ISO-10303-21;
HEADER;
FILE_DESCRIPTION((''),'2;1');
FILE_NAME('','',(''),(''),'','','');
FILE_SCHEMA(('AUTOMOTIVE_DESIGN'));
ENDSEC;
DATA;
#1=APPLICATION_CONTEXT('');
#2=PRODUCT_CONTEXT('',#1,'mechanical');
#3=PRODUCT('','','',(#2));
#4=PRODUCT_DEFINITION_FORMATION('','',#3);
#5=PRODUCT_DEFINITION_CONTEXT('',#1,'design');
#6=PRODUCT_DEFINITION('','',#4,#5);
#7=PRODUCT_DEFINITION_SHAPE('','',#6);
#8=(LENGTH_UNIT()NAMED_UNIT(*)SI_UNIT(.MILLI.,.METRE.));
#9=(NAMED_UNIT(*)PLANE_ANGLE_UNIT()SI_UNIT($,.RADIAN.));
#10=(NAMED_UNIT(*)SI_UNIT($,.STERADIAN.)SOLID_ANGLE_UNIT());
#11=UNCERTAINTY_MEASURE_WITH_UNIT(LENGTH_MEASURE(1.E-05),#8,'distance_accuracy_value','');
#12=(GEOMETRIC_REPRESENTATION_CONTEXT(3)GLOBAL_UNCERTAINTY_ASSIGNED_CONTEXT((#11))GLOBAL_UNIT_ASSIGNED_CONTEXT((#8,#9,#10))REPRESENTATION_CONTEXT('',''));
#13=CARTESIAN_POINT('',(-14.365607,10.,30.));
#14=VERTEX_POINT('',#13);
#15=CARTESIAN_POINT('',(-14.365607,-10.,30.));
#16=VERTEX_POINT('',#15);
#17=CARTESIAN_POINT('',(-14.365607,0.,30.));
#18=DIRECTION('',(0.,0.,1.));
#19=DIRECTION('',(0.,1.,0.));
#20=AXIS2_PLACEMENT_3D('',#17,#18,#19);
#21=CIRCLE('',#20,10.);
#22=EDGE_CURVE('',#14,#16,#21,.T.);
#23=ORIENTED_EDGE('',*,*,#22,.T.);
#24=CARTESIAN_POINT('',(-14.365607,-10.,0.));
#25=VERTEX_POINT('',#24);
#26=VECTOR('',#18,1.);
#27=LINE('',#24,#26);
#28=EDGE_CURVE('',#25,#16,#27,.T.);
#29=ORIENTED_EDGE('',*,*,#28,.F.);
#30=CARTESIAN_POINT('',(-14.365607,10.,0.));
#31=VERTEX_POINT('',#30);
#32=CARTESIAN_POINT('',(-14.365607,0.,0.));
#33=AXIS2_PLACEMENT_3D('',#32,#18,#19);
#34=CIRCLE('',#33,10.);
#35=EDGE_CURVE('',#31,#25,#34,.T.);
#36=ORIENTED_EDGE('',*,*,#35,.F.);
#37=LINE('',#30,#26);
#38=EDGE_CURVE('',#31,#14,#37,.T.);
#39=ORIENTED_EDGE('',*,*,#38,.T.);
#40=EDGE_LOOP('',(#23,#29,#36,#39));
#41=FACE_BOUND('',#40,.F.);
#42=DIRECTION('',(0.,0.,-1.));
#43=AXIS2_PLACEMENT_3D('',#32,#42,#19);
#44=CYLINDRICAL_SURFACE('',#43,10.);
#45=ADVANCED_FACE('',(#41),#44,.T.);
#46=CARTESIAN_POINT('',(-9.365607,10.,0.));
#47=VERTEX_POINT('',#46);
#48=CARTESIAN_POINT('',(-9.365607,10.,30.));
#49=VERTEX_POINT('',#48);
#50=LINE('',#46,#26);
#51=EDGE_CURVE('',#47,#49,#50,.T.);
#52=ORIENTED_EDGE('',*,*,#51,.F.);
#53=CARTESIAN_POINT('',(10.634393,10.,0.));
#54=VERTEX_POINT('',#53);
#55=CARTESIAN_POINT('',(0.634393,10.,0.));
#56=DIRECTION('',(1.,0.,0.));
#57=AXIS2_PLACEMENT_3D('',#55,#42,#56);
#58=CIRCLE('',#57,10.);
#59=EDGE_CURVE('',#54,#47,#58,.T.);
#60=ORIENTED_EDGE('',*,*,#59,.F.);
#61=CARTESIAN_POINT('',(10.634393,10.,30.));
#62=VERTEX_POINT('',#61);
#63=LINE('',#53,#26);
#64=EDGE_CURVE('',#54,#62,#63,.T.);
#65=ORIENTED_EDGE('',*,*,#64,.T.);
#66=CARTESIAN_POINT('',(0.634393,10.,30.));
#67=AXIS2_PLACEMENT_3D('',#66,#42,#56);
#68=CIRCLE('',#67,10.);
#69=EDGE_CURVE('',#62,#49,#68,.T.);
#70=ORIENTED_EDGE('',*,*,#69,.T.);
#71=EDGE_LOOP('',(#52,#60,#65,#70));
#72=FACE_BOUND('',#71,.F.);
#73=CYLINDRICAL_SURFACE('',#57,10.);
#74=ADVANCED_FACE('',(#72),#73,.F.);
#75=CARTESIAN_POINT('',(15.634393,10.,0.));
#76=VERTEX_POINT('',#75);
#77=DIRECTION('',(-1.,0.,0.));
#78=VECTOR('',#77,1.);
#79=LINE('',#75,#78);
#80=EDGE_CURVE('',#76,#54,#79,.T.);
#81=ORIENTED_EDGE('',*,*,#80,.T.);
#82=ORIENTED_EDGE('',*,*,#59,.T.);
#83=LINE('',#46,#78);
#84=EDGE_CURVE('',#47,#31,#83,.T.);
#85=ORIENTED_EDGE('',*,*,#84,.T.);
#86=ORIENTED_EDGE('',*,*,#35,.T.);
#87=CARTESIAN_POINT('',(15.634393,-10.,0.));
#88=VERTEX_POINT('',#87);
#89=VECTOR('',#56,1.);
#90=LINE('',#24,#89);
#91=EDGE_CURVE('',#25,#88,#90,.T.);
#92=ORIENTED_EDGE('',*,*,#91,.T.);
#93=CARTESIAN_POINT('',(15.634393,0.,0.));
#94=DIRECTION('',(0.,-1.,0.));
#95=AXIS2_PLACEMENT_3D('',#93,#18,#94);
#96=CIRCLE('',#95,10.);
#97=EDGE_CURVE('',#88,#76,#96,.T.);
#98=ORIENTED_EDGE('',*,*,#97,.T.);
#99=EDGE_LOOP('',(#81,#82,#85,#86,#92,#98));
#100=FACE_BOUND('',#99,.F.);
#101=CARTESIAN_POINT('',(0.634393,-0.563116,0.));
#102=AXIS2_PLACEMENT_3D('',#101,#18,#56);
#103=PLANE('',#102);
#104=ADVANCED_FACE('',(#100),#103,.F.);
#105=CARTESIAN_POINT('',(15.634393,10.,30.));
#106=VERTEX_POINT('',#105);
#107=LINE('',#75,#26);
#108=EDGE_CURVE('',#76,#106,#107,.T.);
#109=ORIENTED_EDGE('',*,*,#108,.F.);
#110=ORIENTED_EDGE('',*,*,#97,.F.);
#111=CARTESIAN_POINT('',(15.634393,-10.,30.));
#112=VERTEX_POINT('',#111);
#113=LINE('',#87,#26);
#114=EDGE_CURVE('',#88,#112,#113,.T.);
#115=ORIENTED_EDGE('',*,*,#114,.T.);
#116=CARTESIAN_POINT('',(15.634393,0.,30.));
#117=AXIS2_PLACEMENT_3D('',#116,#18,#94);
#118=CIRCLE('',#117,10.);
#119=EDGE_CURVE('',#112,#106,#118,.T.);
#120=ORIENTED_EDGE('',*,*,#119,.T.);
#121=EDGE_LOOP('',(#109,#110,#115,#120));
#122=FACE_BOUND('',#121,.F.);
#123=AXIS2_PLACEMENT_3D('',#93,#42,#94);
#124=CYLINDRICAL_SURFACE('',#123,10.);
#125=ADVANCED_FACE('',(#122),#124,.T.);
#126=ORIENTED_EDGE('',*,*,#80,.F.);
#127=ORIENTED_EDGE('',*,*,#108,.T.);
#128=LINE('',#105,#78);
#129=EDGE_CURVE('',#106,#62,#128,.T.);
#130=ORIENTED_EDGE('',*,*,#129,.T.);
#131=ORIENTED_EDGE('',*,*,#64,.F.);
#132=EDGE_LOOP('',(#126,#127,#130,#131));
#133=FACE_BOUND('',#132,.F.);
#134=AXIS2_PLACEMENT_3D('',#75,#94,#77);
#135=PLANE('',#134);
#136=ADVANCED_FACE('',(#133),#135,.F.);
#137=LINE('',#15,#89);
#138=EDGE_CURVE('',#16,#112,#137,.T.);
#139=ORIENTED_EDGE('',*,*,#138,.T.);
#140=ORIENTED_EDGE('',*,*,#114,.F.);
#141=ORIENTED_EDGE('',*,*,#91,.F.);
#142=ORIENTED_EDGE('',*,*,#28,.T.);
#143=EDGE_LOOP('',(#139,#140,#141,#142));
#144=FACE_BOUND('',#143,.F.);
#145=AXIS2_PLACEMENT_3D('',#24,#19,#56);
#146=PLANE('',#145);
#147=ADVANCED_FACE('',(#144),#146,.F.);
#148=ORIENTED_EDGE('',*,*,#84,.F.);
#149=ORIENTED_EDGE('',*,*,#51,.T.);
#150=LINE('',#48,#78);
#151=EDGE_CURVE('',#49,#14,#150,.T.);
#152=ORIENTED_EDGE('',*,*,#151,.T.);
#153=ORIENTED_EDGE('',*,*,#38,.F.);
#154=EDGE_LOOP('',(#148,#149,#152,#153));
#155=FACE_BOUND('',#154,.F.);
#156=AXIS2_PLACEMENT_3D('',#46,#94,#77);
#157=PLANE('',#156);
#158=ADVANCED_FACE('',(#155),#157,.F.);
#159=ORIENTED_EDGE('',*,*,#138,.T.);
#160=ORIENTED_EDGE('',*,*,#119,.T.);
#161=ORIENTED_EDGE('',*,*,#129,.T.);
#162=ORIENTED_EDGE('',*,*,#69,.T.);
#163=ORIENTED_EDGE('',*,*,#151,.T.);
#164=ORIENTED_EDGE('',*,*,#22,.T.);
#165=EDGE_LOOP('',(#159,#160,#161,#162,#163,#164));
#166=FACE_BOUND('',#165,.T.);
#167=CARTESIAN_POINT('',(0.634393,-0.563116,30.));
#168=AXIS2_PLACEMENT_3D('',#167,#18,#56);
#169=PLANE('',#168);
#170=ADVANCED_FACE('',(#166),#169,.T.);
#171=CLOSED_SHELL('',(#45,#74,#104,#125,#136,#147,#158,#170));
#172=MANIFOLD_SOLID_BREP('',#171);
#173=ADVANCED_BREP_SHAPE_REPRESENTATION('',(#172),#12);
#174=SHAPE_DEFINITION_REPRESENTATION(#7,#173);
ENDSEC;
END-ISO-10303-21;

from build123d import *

# Parameters (mm, degrees)
F1_DEPTH = 30


with BuildPart() as f1:
    # F0 (on Top) → F1 (new body)
    with BuildSketch(Plane.XY):
        with BuildLine():
            ThreePointArc((10.634393, 10), (0.634393, 0), (-9.365607, 10))
            Line((-9.365607, 10), (-14.365607, 10))
            ThreePointArc((-14.365607, 10), (-24.365607, 0), (-14.365607, -10))
            Line((-14.365607, -10), (15.634393, -10))
            ThreePointArc((15.634393, -10), (25.634393, 0), (15.634393, 10))
            Line((15.634393, 10), (10.634393, 10))
        make_face()
    extrude(amount=F1_DEPTH)


solid = f1.part
